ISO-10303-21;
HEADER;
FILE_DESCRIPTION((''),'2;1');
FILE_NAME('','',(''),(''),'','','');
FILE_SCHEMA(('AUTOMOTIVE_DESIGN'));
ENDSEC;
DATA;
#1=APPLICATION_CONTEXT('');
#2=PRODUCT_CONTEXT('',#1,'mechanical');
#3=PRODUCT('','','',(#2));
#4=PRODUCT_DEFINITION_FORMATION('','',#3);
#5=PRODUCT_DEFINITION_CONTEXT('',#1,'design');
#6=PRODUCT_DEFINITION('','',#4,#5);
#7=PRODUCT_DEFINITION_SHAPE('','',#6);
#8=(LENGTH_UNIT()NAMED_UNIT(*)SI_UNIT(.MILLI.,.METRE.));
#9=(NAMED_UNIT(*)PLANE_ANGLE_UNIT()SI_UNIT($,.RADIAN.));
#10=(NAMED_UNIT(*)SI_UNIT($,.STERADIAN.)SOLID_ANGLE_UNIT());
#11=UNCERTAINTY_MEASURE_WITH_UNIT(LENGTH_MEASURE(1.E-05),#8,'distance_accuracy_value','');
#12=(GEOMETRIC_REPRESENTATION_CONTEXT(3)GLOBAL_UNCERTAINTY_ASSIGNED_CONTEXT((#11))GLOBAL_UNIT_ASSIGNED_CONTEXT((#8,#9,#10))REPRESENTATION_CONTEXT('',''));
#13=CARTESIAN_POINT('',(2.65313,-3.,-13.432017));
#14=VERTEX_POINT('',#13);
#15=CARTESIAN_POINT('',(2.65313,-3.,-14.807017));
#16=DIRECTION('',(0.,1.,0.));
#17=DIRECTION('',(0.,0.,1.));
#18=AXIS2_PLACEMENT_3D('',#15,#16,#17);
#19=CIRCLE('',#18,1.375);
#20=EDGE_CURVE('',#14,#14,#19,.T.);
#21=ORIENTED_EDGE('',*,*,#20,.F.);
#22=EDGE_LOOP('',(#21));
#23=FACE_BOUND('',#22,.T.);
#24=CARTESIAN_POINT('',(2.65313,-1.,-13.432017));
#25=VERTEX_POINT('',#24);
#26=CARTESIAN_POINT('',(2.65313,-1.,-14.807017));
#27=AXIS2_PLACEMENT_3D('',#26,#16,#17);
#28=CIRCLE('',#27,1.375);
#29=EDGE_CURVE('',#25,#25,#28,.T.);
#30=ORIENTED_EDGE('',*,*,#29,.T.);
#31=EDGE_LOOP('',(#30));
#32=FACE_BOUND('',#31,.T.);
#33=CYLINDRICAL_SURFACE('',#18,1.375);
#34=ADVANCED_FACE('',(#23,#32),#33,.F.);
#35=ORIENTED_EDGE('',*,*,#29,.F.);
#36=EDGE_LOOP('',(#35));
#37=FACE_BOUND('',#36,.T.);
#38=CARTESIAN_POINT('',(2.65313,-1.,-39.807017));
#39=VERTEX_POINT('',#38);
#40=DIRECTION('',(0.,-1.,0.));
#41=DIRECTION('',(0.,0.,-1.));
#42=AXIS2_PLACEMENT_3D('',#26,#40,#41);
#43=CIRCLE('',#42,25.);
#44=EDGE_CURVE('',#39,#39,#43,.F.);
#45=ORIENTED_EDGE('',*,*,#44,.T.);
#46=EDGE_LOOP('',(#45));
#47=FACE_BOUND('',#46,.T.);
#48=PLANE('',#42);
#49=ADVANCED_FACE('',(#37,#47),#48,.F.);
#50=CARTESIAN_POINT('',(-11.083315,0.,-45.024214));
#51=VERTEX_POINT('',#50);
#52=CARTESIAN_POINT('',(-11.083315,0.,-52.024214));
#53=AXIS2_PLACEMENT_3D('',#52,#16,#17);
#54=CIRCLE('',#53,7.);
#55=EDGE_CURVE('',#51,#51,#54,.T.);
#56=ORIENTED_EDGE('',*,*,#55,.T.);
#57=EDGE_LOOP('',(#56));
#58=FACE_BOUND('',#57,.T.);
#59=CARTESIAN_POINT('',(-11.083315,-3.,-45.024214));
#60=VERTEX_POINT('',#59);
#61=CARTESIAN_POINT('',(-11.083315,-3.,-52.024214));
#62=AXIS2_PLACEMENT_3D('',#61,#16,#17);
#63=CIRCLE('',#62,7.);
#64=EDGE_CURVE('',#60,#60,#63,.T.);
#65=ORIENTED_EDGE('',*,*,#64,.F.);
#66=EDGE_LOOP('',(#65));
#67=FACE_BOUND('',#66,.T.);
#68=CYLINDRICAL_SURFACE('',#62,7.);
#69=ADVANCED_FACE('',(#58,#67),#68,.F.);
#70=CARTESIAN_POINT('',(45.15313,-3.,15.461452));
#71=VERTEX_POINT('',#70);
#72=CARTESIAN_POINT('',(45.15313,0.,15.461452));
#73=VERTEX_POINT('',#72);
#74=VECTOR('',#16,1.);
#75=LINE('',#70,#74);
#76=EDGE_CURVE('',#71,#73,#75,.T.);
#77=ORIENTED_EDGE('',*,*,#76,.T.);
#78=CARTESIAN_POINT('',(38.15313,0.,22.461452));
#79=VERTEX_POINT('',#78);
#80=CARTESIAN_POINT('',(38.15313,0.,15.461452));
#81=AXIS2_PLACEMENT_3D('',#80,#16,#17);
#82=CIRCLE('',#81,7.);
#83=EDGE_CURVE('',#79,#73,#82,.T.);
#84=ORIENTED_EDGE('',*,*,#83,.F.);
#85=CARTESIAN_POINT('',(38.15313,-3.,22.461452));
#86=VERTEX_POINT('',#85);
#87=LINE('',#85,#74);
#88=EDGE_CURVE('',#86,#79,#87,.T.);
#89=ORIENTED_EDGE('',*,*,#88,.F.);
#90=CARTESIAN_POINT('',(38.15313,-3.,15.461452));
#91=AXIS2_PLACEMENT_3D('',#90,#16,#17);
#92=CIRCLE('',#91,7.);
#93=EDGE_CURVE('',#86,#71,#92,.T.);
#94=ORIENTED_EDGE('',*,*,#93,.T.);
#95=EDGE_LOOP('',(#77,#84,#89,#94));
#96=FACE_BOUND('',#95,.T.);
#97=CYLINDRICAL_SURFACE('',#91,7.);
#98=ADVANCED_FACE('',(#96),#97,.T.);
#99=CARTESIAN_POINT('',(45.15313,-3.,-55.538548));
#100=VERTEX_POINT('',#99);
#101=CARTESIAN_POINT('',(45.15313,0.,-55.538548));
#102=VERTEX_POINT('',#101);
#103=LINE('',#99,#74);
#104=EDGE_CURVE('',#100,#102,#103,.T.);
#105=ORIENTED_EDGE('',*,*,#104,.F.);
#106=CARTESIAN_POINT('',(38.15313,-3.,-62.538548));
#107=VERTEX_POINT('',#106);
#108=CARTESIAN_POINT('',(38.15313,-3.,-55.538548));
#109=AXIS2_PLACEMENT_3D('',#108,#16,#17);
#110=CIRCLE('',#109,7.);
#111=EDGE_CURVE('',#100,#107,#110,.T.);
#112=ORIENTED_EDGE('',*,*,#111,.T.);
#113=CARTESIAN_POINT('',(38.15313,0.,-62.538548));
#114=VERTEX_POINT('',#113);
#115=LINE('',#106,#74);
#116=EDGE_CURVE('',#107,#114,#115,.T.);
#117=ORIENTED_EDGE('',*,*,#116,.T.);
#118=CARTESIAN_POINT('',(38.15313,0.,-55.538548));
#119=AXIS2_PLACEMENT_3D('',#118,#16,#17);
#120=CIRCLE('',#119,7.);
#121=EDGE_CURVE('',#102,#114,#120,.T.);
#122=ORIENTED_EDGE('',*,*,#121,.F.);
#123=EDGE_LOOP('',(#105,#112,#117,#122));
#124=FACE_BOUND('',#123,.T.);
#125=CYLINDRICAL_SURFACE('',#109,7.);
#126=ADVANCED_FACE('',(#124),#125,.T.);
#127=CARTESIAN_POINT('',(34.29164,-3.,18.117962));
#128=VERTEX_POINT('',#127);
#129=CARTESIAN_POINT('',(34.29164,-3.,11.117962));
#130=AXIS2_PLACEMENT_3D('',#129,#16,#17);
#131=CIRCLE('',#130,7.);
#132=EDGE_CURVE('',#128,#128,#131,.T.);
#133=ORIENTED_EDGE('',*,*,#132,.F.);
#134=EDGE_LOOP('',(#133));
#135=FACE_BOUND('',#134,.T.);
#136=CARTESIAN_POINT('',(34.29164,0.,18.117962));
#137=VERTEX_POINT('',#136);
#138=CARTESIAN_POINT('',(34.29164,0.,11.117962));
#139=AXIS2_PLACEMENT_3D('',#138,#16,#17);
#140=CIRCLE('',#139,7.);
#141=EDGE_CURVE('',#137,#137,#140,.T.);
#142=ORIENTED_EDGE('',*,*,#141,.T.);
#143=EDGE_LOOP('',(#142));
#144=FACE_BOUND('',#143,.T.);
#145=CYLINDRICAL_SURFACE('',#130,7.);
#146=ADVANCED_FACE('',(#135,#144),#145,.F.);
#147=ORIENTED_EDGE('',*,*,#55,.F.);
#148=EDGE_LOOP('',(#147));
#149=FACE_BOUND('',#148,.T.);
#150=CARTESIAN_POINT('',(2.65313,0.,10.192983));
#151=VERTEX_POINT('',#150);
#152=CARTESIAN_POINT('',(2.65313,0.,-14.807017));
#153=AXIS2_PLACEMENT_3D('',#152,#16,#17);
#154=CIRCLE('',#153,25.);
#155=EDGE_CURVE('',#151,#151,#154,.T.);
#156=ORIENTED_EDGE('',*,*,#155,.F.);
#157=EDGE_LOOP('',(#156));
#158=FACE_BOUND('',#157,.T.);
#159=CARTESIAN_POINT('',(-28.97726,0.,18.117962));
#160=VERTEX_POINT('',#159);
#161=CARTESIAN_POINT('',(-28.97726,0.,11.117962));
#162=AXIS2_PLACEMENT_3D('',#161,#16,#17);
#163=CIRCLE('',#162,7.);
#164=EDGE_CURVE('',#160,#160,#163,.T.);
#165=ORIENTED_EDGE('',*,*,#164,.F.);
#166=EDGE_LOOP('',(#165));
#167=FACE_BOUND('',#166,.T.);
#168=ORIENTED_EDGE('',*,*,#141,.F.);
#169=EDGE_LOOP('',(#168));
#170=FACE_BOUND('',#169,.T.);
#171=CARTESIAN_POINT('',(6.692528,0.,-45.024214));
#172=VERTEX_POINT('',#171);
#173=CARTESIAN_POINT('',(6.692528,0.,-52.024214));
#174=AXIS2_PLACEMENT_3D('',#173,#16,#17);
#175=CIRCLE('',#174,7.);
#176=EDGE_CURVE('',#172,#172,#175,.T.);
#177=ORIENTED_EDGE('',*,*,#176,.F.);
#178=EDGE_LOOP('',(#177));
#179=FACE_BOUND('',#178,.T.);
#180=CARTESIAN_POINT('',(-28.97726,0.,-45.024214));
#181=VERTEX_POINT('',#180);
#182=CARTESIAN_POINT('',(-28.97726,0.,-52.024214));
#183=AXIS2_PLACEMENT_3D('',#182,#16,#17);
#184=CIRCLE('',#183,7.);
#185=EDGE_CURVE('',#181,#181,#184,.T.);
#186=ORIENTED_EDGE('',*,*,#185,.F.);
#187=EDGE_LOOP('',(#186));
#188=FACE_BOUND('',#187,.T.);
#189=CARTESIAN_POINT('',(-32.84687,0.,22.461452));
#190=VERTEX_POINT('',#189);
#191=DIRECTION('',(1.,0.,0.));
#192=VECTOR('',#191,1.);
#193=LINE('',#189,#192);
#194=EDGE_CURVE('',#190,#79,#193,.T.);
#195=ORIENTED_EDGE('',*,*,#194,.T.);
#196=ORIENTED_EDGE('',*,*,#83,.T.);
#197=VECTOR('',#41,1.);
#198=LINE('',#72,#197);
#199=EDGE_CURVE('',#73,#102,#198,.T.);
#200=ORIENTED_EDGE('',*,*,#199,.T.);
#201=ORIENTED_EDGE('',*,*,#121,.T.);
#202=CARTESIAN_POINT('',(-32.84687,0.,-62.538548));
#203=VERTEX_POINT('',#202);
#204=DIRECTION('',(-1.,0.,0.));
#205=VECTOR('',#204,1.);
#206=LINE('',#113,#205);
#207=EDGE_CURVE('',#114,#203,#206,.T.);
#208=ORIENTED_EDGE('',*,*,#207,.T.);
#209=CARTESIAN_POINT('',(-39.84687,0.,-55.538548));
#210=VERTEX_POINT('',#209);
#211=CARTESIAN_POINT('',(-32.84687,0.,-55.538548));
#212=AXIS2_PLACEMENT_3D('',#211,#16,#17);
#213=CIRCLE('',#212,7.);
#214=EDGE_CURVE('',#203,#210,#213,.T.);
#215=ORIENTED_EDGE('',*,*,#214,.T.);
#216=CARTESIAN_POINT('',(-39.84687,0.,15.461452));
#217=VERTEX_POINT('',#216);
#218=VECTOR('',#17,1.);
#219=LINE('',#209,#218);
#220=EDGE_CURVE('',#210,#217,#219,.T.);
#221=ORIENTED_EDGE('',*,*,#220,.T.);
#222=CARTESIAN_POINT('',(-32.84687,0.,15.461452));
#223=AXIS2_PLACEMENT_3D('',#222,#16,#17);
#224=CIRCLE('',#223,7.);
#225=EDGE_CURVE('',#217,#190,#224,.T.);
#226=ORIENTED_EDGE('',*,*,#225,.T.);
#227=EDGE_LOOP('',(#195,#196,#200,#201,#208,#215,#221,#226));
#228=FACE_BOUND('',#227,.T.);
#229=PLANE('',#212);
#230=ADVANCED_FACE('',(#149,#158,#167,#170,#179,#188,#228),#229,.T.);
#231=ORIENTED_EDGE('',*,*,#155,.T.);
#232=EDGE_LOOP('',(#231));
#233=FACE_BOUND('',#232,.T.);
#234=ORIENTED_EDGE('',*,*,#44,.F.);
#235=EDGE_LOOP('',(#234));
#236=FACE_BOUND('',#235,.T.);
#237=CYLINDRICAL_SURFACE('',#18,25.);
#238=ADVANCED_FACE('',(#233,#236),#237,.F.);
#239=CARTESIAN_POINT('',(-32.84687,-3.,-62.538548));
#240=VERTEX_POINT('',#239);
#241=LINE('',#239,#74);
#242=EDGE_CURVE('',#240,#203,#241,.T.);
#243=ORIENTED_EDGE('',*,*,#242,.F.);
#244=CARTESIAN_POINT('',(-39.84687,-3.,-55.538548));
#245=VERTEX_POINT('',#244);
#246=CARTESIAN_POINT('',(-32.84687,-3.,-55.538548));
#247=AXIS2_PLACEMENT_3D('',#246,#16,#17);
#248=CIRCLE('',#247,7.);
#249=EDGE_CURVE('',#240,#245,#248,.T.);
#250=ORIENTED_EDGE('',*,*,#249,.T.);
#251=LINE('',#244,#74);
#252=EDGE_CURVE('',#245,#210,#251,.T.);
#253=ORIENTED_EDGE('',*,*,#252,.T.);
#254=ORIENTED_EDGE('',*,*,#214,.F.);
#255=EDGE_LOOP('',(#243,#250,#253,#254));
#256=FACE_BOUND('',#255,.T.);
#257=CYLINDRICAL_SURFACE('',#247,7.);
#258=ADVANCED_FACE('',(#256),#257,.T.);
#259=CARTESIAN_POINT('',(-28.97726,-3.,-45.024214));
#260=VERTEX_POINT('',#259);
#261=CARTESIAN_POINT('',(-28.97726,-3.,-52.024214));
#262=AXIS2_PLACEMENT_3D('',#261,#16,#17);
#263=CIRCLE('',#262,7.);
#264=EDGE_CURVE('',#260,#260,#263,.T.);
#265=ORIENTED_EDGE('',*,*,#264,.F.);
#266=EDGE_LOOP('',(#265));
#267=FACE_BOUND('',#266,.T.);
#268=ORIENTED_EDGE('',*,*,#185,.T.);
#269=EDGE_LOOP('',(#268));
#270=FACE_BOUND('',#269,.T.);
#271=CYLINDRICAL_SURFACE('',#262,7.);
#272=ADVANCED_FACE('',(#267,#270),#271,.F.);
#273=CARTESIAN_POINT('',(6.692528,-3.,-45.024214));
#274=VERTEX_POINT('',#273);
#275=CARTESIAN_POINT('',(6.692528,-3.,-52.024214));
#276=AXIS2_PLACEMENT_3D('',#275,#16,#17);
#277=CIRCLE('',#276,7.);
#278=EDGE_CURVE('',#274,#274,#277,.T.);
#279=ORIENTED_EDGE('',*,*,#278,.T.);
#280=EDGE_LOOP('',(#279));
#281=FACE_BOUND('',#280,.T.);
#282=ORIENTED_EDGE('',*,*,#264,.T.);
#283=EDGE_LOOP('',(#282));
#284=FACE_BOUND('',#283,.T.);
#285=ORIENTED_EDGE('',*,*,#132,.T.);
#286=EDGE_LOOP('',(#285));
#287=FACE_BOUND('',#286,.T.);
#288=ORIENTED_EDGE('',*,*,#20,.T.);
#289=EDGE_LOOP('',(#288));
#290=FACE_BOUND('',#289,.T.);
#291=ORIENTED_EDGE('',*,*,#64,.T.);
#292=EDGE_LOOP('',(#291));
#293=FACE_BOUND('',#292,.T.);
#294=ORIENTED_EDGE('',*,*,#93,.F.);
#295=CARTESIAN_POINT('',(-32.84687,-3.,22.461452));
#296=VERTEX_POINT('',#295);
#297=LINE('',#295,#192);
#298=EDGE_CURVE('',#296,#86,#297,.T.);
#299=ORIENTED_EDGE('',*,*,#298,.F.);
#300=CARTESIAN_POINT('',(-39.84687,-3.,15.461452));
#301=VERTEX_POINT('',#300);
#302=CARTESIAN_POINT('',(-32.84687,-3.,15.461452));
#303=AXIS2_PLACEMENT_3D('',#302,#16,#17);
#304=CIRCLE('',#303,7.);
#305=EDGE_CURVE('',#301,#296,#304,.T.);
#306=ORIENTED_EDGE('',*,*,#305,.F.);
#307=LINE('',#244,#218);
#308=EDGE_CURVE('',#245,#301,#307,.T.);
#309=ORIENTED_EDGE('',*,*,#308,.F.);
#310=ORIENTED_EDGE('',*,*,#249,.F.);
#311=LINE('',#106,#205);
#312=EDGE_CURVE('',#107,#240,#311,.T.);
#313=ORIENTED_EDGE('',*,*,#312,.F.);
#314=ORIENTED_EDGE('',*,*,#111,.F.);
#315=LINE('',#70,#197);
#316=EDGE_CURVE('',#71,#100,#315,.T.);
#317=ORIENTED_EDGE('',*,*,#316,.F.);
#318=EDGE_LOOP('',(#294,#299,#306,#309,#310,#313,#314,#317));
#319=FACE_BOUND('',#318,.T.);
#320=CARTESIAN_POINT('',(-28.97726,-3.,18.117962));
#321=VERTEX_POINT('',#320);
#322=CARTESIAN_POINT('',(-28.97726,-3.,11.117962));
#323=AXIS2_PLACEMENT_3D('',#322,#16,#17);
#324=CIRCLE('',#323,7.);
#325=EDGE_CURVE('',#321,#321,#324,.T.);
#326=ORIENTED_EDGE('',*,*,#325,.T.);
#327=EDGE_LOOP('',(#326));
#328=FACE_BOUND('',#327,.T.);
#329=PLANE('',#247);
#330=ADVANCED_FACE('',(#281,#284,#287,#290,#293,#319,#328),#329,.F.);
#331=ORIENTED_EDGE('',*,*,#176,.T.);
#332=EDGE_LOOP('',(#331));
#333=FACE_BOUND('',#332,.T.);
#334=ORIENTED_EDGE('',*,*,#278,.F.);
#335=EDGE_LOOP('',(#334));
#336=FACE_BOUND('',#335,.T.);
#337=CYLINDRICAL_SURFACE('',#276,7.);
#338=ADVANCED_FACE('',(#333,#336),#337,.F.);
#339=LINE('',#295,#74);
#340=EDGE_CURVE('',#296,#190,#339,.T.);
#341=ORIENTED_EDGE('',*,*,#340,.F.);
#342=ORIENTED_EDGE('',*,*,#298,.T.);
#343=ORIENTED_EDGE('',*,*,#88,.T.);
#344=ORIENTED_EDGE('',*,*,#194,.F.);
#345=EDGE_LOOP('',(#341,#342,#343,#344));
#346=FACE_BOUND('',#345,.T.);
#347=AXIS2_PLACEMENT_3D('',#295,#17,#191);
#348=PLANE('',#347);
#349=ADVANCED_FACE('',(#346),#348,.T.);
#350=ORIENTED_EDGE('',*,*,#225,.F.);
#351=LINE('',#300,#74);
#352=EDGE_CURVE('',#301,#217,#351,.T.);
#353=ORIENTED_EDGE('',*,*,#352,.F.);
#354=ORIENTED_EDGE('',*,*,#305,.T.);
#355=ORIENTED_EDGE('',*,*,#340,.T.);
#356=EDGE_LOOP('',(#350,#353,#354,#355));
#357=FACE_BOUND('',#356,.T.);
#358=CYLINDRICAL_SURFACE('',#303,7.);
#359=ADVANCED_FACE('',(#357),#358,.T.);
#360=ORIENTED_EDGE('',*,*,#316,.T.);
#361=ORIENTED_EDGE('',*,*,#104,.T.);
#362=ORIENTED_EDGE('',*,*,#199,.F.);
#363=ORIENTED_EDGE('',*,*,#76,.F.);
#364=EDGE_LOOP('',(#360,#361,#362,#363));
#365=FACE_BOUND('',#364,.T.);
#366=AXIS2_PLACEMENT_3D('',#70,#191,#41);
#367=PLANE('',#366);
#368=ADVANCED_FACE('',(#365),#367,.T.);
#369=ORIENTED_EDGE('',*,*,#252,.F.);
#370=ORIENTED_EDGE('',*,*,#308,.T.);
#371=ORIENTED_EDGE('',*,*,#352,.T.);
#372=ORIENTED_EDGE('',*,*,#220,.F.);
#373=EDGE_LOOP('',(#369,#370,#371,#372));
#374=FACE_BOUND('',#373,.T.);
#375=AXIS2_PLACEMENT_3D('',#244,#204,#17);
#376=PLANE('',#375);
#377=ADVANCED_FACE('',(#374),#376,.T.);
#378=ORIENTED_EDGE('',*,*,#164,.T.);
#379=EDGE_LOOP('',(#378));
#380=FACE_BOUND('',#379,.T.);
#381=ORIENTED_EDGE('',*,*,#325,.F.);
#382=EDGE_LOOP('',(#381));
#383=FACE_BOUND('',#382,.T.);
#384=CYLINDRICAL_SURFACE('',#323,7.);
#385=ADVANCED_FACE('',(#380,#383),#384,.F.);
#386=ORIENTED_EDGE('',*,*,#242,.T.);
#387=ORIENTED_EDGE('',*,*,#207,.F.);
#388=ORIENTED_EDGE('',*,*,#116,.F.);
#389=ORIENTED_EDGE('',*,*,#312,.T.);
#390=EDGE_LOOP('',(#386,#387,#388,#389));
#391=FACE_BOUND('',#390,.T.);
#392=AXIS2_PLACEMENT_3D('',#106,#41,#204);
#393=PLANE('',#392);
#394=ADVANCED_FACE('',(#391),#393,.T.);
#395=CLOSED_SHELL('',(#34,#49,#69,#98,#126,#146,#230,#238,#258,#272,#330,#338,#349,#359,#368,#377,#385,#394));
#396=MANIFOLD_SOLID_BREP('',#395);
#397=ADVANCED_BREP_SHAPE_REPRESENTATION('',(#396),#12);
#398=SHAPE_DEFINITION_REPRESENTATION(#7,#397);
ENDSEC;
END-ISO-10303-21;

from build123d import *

# Parameters (mm, degrees)
SKETCH1_R           = 25
SKETCH1_R_2         = 7
BOSS_EXTRUDE1_DEPTH = 3
BOSS_EXTRUDE3_START = -2
SKETCH3_R           = 25
BOSS_EXTRUDE3_DEPTH = 2
SKETCH4_R           = 1.375
CUT_EXTRUDE1_DEPTH  = 2


with BuildPart() as part:
    # Sketch1 → Boss-Extrude1 (new body)
    with BuildSketch(Plane(origin=(0, 0, 0), x_dir=(1, 0, 0), z_dir=(0, 1, 0))):
        with BuildLine():
            Line((-32.846869633, -22.461451991), (38.153130367, -22.461451991))
            ThreePointArc((38.153130367, -22.461451991), (43.102877835, -20.411199459), (45.153130367, -15.461451991))
            Line((45.153130367, -15.461451991), (45.153130367, 55.538548009))
            ThreePointArc((45.153130367, 55.538548009), (43.102877835, 60.488295478), (38.153130367, 62.538548009))
            Line((38.153130367, 62.538548009), (-32.846869633, 62.538548009))
            ThreePointArc((-32.846869633, 62.538548009), (-37.796617101, 60.488295478), (-39.846869633, 55.538548009))
            Line((-39.846869633, 55.538548009), (-39.846869633, -15.461451991))
            ThreePointArc((-39.846869633, -15.461451991), (-37.796617101, -20.411199459), (-32.846869633, -22.461451991))
        make_face()
        with Locations(Location((2.653130367, 14.80701719, 0), (0, 0, 270))):
            Circle(SKETCH1_R, mode=Mode.SUBTRACT)
        with Locations(Location((-28.97725989, 52.02421358, 0), (0, 0, 270))):
            Circle(SKETCH1_R_2, mode=Mode.SUBTRACT)
        with Locations(Location((-11.083315318, 52.02421358, 0), (0, 0, 270))):
            Circle(SKETCH1_R_2, mode=Mode.SUBTRACT)
        with Locations(Location((6.69252819, 52.02421358, 0), (0, 0, 270))):
            Circle(SKETCH1_R_2, mode=Mode.SUBTRACT)
        with Locations(Location((-28.97725989, -11.117962427, 0), (0, 0, 270))):
            Circle(SKETCH1_R_2, mode=Mode.SUBTRACT)
        with Locations(Location((34.291639837, -11.117962427, 0), (0, 0, 270))):
            Circle(SKETCH1_R_2, mode=Mode.SUBTRACT)
    extrude(amount=-BOSS_EXTRUDE1_DEPTH)

    # Sketch3 → Boss-Extrude3 (add)
    with BuildSketch(Plane(origin=(0, -3, 0), x_dir=(-1, 0, 0), z_dir=(0, -1, 0)).offset(BOSS_EXTRUDE3_START)):
        with Locations(Location((-2.653130367, 14.80701719, 0), (0, 0, 270))):
            Circle(SKETCH3_R)
    extrude(amount=BOSS_EXTRUDE3_DEPTH)

    # Sketch4 → Cut-Extrude1 (cut)
    with BuildSketch(Plane(origin=(0, -1, 0), x_dir=(1, 0, 0), z_dir=(0, 1, 0))):
        with Locations(Location((2.653130367, 14.80701719, 0), (0, 0, 270))):
            Circle(SKETCH4_R)
    extrude(amount=-CUT_EXTRUDE1_DEPTH, mode=Mode.SUBTRACT)


solid = part.part
